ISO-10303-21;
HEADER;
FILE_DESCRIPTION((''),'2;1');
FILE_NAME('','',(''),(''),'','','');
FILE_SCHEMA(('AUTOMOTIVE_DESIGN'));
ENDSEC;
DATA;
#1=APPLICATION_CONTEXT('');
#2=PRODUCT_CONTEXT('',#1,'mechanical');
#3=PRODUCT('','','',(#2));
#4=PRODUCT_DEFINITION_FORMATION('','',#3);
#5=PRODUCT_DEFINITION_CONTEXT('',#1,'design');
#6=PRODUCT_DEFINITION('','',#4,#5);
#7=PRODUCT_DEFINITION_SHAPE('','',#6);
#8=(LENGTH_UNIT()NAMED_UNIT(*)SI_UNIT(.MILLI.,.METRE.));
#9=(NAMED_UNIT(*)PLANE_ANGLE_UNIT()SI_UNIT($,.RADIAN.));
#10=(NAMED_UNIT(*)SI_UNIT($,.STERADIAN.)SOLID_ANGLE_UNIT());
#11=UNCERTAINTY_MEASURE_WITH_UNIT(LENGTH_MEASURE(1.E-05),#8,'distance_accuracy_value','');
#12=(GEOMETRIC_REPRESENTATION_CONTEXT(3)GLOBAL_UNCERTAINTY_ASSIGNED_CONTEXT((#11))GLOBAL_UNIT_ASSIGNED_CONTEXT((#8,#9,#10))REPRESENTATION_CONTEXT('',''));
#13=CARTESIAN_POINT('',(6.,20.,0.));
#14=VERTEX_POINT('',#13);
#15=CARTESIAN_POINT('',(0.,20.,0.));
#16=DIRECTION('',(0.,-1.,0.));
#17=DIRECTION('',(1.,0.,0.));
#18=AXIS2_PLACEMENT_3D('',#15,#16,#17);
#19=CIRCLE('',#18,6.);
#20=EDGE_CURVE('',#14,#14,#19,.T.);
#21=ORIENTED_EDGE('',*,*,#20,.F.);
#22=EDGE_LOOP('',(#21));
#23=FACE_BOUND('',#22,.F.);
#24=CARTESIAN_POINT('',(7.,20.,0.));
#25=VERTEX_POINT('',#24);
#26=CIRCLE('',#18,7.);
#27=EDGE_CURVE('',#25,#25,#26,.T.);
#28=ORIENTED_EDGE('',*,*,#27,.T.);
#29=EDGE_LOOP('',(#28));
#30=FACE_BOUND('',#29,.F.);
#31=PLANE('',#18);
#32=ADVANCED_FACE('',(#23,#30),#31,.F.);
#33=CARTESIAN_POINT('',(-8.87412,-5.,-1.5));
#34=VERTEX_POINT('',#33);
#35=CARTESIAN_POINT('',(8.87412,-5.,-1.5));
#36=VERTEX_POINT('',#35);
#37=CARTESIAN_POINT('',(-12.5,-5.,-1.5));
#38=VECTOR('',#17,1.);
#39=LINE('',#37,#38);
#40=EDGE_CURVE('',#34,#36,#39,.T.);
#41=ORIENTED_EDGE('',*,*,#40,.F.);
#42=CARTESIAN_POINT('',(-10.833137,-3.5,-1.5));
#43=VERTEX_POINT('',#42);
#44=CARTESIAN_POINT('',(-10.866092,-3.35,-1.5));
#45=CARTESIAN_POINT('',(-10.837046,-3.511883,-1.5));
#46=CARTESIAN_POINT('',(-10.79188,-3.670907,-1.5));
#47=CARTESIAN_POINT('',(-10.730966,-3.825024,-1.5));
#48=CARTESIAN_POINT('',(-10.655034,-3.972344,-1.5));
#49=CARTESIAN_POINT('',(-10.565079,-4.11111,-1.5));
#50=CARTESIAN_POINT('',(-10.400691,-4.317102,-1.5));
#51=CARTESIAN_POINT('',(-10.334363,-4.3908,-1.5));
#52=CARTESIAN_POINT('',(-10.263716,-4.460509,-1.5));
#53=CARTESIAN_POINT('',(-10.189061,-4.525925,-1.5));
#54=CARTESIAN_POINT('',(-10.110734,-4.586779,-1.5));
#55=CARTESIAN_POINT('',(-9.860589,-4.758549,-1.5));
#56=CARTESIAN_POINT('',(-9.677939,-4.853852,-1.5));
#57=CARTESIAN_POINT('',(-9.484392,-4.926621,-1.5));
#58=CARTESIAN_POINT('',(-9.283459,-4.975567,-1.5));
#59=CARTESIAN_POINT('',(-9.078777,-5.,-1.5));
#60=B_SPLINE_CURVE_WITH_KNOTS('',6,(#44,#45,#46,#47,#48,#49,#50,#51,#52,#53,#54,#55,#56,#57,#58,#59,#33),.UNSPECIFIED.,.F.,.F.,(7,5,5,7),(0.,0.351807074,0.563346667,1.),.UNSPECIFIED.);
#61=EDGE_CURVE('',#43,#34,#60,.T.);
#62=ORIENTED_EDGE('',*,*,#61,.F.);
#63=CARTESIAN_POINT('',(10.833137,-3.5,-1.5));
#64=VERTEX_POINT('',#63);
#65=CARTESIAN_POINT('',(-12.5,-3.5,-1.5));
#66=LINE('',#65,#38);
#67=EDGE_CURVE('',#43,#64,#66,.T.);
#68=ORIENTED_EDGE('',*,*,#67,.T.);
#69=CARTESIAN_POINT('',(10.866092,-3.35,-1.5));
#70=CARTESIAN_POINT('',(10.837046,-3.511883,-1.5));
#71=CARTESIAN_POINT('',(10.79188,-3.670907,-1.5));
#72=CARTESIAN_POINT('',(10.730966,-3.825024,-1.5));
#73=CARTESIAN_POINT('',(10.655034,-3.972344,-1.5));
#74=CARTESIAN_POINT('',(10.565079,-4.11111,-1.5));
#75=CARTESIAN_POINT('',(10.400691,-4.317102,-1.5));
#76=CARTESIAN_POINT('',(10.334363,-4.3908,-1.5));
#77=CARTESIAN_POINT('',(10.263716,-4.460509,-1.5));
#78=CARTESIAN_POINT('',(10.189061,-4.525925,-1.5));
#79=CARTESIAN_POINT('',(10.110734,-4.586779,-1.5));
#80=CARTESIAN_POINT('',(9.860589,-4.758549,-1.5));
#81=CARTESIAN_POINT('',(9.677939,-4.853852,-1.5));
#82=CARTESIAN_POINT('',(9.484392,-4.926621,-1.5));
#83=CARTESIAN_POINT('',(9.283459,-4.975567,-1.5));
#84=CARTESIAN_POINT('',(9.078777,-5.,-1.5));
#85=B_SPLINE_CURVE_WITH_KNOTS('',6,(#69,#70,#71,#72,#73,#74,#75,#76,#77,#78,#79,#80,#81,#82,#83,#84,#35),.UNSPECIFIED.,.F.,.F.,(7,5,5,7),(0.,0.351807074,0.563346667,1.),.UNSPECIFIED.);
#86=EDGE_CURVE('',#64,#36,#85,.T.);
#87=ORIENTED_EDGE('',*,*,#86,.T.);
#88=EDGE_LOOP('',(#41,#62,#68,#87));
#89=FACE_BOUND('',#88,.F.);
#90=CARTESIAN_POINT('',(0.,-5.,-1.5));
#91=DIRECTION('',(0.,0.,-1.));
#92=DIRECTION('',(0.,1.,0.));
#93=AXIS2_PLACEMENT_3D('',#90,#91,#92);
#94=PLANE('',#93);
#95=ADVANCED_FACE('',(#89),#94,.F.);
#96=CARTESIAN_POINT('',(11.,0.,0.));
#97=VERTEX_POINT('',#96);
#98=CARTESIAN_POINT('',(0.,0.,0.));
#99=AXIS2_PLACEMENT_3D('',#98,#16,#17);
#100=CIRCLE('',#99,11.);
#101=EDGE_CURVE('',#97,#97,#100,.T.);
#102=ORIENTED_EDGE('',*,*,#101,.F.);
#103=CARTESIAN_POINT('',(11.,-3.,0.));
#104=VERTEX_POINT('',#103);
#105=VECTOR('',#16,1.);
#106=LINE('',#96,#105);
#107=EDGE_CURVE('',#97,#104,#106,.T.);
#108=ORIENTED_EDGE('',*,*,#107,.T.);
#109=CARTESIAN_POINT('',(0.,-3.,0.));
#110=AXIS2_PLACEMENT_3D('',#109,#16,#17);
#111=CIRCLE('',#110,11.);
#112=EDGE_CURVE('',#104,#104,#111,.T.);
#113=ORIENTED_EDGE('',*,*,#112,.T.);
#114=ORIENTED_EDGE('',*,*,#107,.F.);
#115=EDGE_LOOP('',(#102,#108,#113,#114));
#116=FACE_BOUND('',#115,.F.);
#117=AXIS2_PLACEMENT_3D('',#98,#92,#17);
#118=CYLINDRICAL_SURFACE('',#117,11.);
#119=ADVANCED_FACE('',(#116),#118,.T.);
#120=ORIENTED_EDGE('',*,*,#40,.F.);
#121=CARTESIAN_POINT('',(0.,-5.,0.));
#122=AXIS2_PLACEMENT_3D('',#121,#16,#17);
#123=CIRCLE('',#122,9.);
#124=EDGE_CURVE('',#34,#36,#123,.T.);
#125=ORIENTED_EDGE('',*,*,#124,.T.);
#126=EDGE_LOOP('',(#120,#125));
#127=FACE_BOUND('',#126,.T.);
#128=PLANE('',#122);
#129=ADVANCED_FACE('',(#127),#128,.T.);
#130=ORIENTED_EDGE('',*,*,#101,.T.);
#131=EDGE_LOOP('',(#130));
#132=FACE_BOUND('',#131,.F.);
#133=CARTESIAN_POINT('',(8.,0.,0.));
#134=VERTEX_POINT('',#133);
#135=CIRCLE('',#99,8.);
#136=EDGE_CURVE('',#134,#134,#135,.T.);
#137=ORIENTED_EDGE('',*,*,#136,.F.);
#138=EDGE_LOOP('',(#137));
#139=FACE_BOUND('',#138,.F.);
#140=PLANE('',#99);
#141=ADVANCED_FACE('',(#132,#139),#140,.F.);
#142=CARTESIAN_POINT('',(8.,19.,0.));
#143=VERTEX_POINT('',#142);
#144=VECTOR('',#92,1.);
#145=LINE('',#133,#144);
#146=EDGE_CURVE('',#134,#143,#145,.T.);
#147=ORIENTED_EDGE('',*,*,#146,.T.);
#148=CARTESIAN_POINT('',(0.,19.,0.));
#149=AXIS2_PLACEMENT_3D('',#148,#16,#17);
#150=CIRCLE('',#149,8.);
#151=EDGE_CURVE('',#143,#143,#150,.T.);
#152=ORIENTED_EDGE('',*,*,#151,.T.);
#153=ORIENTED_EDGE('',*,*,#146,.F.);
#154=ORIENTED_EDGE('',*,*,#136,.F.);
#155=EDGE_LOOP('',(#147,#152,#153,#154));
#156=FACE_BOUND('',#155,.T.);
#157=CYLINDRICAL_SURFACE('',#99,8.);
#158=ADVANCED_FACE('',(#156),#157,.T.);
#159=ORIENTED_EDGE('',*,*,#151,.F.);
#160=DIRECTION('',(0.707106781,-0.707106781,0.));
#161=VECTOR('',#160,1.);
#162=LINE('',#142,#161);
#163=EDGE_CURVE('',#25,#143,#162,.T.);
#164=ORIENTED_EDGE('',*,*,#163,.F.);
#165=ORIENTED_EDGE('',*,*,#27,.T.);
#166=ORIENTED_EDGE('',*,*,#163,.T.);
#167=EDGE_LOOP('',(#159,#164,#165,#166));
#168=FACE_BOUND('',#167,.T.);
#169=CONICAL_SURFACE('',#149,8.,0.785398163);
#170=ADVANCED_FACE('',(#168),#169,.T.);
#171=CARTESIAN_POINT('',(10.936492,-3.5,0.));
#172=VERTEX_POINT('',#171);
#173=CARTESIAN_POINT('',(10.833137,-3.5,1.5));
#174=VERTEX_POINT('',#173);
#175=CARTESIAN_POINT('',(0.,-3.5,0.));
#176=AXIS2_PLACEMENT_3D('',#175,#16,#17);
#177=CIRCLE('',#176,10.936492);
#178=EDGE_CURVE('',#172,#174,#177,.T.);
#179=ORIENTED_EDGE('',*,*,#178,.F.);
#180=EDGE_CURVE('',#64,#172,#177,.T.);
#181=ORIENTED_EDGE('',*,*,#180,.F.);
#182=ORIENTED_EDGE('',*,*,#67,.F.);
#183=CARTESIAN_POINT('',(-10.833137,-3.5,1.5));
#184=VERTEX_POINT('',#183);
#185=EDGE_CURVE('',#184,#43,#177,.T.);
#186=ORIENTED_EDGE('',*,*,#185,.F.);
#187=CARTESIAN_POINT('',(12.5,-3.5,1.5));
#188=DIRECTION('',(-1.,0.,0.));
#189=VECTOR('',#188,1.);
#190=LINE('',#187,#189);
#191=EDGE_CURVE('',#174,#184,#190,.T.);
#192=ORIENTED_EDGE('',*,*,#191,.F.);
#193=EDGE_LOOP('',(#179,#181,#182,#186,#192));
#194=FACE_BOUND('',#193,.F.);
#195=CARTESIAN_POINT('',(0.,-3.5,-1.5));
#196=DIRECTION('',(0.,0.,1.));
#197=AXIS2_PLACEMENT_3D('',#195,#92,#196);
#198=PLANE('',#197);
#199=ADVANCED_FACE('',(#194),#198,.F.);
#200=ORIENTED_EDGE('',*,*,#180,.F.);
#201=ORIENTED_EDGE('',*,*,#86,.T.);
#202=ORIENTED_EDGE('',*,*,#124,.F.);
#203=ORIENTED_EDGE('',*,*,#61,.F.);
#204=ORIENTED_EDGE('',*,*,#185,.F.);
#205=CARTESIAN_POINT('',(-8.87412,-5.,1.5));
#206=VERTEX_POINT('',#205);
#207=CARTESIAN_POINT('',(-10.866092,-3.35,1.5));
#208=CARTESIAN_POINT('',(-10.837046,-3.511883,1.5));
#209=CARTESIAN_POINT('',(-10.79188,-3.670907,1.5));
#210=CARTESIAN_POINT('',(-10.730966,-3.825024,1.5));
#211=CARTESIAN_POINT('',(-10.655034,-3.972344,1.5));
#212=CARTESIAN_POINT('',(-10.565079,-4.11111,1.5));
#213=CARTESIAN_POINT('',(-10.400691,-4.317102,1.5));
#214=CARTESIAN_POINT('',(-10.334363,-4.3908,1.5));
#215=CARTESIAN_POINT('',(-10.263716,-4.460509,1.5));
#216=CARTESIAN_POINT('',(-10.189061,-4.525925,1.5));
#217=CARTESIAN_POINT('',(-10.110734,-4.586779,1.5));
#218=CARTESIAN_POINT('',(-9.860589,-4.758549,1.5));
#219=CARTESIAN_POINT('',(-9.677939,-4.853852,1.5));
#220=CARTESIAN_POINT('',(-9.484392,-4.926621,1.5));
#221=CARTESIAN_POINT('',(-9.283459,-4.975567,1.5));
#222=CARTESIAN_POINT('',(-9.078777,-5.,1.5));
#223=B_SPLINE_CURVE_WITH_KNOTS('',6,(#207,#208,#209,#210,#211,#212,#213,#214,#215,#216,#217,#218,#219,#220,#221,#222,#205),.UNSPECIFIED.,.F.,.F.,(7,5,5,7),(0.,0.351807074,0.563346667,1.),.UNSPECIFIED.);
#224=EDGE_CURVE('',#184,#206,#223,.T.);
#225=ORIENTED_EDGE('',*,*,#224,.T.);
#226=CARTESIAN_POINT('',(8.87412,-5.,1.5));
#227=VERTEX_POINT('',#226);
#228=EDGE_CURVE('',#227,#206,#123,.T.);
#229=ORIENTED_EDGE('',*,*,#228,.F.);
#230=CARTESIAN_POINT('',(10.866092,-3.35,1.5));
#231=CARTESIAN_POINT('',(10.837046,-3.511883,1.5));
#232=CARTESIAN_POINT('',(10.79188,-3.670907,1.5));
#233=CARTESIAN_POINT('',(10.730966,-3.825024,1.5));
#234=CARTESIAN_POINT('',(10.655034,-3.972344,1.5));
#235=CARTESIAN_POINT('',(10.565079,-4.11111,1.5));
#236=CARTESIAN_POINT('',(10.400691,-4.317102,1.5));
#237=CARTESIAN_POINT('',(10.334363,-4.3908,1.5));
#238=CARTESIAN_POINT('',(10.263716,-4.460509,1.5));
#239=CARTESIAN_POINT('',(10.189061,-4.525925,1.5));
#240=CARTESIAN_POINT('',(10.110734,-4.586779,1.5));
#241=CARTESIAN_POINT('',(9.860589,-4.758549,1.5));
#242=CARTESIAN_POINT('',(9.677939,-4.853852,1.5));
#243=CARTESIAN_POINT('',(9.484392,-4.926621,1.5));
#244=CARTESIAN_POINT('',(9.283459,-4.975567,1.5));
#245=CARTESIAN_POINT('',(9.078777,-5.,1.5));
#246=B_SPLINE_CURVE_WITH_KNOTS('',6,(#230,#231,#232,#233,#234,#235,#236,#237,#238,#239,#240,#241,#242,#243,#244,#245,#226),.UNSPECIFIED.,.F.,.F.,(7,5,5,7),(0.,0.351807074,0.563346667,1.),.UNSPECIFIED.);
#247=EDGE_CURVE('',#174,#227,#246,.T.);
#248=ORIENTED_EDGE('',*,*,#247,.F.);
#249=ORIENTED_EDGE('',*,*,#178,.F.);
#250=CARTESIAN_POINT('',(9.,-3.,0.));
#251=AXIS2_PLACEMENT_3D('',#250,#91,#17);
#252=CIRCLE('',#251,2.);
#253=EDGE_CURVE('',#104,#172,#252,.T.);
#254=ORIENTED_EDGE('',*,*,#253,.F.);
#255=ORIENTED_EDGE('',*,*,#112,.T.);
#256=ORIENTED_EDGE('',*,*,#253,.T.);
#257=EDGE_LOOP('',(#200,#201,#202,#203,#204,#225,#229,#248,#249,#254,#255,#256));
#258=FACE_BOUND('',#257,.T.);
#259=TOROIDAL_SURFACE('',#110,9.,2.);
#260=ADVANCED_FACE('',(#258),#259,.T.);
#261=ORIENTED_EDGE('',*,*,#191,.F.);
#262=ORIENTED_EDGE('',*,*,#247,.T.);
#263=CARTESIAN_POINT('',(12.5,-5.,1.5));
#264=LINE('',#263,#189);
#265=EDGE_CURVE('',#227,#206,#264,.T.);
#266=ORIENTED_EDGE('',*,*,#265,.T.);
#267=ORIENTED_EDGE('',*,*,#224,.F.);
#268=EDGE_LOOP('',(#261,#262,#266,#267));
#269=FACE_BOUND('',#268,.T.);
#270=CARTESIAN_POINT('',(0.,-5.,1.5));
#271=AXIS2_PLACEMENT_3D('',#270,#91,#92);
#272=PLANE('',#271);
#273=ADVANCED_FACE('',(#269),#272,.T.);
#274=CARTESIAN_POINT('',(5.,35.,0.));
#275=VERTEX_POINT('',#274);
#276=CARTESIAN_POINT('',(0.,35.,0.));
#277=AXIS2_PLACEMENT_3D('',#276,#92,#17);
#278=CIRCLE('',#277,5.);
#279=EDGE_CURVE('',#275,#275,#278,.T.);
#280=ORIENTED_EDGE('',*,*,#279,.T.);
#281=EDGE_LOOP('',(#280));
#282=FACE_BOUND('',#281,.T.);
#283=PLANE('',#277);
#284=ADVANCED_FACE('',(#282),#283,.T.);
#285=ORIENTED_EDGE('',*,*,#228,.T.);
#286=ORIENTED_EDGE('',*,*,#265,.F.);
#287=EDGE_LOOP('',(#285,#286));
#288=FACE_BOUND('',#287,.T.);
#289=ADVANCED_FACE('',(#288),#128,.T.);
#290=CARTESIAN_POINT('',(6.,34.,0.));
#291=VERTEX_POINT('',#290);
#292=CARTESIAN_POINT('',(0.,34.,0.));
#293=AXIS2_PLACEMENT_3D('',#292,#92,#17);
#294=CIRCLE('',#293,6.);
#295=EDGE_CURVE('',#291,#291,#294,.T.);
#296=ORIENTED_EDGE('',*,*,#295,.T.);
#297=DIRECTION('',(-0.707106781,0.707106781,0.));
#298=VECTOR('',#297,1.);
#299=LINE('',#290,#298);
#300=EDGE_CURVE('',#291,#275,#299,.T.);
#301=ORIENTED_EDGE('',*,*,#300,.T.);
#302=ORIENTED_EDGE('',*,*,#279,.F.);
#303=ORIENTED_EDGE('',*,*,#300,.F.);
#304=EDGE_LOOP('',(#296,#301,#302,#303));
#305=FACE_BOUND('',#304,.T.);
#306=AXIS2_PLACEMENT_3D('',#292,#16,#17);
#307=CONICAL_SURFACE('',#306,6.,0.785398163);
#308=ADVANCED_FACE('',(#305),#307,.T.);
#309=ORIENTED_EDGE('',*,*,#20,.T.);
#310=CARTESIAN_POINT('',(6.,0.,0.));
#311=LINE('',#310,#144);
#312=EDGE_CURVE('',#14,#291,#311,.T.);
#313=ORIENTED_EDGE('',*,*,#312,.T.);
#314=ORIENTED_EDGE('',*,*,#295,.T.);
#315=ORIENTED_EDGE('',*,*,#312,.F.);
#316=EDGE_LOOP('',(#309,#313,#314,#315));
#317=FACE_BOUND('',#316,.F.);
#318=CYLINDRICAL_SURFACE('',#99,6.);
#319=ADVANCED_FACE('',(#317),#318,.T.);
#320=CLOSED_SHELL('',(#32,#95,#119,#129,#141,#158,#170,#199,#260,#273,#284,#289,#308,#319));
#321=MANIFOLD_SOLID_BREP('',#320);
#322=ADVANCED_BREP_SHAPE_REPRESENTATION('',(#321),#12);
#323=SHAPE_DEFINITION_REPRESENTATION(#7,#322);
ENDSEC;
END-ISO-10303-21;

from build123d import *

# Parameters (mm, degrees)
F0_R      = 11
F1_DEPTH  = 5
F2_R      = 2
F3_R      = 8
F3_R_2    = 6
F4_DEPTH  = 20
F4_FACE_R = 6
F5_DEPTH  = 35
F6_SIZE2  = 1
F6_SIZE   = 1
F7_W      = 1.5
F7_H      = 3
F8_DEPTH  = 12.5


with BuildPart() as f1:
    # F0 (on Front) → F1 (new body)
    with BuildSketch(Plane.XZ):
        Circle(F0_R)
    extrude(amount=F1_DEPTH)

    # F2
    f2_edges = [f1.edges().sort_by_distance(p)[0] for p in [
        (-11, -5, 0),
    ]]
    fillet(f2_edges, radius=F2_R)

    # F3 (on Front) → F4 (join)
    with BuildSketch(Plane.XZ):
        Circle(F3_R)
        Circle(F3_R_2, mode=Mode.SUBTRACT)
    extrude(amount=-F4_DEPTH)

    # F4_face (on face) → F5 (join)
    with BuildSketch(Plane(origin=(0, 0, 0), x_dir=(1, 0, 0), z_dir=(0, 1, 0))):
        Circle(F4_FACE_R)
    extrude(amount=F5_DEPTH)

    # F6
    f6_edges = [f1.edges().sort_by_distance(p)[0] for p in [
        (-6, 35, 0),
        (-8, 20, 0),
    ]]
    chamfer(f6_edges, length=F6_SIZE, length2=F6_SIZE2)

    # F7 (on Right) → F8 (cut, symmetric)
    with BuildSketch(Plane.YZ):
        with Locations((-4.25, 0)):
            Rectangle(F7_W, F7_H)
    extrude(amount=F8_DEPTH, both=True, mode=Mode.SUBTRACT)


solid = f1.part
